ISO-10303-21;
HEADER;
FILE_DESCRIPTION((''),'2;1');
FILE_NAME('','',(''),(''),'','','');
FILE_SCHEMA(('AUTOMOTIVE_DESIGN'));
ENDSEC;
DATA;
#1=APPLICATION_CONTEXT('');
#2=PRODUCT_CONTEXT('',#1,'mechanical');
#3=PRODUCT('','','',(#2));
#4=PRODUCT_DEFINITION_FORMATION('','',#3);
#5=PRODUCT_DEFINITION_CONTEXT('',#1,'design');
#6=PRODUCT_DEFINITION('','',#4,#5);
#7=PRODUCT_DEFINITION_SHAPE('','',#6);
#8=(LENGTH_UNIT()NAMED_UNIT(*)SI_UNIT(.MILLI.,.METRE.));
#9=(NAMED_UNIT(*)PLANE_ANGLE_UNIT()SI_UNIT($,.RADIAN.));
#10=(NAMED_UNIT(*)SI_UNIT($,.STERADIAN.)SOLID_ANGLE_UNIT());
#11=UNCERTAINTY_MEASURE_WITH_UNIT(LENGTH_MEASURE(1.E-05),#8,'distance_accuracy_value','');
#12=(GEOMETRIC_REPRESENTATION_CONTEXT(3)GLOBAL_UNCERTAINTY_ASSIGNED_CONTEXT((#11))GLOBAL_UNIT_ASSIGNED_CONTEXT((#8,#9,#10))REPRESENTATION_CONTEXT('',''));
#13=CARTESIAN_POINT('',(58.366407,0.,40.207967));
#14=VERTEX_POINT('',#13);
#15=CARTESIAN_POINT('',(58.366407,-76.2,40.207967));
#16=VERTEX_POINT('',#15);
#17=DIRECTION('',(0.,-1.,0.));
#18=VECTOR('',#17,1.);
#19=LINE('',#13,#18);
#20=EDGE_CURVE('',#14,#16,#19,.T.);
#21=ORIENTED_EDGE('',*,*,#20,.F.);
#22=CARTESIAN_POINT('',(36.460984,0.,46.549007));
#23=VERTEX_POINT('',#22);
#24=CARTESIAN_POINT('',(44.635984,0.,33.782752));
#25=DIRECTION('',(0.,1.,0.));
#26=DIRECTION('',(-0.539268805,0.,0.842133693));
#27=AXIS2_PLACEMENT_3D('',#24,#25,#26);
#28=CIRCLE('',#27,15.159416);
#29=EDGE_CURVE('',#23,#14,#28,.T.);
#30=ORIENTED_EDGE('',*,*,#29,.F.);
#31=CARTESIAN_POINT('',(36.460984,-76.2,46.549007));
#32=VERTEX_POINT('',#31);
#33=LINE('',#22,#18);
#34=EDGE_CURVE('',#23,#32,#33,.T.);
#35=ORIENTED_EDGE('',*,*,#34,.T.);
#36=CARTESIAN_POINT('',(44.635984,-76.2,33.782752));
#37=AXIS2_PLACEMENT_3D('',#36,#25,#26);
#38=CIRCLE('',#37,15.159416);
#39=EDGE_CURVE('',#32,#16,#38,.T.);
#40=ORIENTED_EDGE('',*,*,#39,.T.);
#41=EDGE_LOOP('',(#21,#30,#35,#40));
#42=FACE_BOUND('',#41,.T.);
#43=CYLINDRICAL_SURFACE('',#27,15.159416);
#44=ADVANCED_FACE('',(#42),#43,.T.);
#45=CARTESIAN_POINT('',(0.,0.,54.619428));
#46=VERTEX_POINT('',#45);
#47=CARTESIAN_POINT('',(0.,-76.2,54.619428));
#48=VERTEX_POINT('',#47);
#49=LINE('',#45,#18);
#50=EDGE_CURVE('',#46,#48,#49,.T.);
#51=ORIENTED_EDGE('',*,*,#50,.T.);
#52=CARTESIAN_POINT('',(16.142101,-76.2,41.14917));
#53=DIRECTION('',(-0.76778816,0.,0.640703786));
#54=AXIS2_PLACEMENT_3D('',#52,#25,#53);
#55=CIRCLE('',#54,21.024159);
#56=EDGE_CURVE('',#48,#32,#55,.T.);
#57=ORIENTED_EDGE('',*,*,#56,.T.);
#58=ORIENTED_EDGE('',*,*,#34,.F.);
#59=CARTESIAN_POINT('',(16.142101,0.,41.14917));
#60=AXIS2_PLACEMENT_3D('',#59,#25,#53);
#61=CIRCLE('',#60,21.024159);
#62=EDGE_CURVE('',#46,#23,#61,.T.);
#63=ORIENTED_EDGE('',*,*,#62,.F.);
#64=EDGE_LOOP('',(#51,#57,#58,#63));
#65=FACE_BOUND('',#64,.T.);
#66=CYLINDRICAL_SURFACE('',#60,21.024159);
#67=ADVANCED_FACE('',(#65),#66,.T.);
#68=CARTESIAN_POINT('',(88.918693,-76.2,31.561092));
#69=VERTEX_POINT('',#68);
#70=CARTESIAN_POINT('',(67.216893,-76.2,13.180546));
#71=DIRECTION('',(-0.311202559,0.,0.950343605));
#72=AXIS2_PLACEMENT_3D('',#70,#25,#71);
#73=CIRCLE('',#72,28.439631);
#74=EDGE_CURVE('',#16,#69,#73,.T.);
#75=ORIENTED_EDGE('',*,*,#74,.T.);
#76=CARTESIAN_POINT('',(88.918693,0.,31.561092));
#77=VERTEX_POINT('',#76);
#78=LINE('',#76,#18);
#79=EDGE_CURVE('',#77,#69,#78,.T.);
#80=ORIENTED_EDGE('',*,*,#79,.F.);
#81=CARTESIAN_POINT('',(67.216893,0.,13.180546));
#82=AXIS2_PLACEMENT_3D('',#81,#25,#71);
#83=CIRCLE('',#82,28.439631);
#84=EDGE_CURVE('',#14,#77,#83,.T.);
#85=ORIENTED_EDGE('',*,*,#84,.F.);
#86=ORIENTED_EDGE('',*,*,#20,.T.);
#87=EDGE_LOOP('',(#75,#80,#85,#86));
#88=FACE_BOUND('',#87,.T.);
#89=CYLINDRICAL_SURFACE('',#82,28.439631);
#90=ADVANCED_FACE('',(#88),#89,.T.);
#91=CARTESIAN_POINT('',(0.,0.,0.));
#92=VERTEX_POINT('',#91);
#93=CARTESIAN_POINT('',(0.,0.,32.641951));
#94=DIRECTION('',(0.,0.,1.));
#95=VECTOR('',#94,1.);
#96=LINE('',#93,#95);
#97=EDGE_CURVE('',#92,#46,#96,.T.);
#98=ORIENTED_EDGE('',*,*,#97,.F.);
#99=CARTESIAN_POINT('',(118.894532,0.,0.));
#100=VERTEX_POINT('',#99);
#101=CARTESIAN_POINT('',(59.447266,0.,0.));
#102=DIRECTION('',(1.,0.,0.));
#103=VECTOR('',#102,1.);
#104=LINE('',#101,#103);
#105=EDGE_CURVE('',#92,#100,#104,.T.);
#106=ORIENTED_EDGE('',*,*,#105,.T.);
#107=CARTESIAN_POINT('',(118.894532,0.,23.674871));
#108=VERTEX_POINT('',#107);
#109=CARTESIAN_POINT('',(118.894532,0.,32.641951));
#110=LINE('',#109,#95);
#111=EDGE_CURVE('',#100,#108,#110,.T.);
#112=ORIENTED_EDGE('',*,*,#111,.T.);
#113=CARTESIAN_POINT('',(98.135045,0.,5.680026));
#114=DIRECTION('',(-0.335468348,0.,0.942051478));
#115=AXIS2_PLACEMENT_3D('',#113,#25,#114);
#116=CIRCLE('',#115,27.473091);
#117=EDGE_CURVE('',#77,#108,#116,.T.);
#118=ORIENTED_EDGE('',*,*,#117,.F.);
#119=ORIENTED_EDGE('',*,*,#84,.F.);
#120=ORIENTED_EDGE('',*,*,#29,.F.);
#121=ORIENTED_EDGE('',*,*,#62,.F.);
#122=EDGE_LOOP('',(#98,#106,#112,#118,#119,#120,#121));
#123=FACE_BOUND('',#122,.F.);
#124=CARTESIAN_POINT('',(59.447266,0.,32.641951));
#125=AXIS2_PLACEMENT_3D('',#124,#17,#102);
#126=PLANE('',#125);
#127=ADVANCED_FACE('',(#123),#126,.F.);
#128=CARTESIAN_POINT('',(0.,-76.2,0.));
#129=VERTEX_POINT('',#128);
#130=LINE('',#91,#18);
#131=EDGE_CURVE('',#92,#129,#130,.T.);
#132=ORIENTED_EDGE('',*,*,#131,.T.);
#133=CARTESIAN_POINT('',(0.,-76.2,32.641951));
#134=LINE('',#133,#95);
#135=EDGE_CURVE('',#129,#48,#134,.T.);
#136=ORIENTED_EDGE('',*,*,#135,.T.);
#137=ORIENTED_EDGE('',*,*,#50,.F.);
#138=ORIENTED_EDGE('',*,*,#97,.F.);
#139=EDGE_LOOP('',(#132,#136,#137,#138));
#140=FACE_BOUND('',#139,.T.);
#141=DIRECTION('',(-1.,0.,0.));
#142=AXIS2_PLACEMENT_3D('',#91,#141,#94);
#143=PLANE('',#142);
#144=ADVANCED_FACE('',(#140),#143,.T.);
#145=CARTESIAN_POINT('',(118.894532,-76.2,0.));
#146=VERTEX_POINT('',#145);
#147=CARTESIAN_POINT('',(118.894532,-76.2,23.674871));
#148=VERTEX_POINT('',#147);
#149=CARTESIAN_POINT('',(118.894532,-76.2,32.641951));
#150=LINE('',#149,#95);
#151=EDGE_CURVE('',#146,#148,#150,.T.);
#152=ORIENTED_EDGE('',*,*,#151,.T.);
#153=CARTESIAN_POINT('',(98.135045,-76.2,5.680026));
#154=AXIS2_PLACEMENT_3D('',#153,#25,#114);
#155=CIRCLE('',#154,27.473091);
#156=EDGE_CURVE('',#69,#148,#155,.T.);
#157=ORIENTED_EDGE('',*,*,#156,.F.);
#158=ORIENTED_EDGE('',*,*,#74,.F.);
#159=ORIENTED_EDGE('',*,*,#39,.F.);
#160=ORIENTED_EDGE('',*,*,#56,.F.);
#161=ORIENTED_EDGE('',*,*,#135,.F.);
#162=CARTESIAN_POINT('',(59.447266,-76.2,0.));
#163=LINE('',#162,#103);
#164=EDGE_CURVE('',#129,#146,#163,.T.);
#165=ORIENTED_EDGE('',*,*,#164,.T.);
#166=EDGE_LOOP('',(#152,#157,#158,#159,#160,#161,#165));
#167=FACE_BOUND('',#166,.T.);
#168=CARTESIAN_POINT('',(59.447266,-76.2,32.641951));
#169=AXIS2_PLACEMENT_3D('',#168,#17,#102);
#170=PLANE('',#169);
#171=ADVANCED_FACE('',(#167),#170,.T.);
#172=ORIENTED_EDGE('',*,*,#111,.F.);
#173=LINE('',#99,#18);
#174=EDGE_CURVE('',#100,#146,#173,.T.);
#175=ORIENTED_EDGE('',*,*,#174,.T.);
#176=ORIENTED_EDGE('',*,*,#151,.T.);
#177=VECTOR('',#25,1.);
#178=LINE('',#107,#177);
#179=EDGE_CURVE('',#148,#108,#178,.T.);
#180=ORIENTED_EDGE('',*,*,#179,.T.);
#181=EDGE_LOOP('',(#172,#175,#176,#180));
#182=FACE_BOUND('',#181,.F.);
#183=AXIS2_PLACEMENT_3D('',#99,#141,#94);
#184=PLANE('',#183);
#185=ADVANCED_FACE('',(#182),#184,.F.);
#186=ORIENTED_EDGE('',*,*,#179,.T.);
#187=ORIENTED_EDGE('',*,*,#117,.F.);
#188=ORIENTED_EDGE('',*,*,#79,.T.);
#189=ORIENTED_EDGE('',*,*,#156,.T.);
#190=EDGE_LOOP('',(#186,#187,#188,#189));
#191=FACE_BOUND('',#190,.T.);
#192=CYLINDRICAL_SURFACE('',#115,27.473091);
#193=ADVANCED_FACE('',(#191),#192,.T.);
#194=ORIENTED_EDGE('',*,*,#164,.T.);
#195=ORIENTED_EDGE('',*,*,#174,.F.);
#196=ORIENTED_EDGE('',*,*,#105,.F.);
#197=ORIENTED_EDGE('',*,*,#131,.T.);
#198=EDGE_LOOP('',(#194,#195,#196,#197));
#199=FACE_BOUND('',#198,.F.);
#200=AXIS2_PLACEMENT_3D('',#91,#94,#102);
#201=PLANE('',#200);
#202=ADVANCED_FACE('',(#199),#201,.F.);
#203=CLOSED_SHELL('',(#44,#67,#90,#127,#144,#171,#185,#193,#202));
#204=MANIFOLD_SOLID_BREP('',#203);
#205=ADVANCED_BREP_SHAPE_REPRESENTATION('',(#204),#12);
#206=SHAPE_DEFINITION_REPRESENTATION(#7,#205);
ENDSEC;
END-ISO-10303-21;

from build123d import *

# Parameters (mm, degrees)
F0_W     = 118.894532
F0_H     = 65.283902
F1_DEPTH = 76.2
F3_DEPTH = 152.4


with BuildPart() as f1:
    # F0 (on Front) → F1 (new body)
    with BuildSketch(Plane.XZ):
        with Locations((59.447266, 32.641951)):
            Rectangle(F0_W, F0_H)
    extrude(amount=F1_DEPTH)

    # F2 (on Front) → F3 (cut)
    with BuildSketch(Plane.XZ):
        with BuildLine():
            ThreePointArc((88.918693, 31.561092), (105.780146, 32.067962), (119.759224, 22.625988))
            Line((119.759224, 22.625988), (123.437092, 71.18877))
            Line((123.437092, 71.18877), (-3.07319, 71.18877))
            Line((-3.07319, 71.18877), (0, 54.619428))
            ThreePointArc((0, 54.619428), (20.685701, 61.676492), (36.460984, 46.549007))
            ThreePointArc((36.460984, 46.549007), (48.85118, 48.344346), (58.366407, 40.207967))
            ThreePointArc((58.366407, 40.207967), (74.961645, 40.54533), (88.918693, 31.561092))
        make_face()
    extrude(amount=F3_DEPTH, mode=Mode.SUBTRACT)


solid = f1.part
